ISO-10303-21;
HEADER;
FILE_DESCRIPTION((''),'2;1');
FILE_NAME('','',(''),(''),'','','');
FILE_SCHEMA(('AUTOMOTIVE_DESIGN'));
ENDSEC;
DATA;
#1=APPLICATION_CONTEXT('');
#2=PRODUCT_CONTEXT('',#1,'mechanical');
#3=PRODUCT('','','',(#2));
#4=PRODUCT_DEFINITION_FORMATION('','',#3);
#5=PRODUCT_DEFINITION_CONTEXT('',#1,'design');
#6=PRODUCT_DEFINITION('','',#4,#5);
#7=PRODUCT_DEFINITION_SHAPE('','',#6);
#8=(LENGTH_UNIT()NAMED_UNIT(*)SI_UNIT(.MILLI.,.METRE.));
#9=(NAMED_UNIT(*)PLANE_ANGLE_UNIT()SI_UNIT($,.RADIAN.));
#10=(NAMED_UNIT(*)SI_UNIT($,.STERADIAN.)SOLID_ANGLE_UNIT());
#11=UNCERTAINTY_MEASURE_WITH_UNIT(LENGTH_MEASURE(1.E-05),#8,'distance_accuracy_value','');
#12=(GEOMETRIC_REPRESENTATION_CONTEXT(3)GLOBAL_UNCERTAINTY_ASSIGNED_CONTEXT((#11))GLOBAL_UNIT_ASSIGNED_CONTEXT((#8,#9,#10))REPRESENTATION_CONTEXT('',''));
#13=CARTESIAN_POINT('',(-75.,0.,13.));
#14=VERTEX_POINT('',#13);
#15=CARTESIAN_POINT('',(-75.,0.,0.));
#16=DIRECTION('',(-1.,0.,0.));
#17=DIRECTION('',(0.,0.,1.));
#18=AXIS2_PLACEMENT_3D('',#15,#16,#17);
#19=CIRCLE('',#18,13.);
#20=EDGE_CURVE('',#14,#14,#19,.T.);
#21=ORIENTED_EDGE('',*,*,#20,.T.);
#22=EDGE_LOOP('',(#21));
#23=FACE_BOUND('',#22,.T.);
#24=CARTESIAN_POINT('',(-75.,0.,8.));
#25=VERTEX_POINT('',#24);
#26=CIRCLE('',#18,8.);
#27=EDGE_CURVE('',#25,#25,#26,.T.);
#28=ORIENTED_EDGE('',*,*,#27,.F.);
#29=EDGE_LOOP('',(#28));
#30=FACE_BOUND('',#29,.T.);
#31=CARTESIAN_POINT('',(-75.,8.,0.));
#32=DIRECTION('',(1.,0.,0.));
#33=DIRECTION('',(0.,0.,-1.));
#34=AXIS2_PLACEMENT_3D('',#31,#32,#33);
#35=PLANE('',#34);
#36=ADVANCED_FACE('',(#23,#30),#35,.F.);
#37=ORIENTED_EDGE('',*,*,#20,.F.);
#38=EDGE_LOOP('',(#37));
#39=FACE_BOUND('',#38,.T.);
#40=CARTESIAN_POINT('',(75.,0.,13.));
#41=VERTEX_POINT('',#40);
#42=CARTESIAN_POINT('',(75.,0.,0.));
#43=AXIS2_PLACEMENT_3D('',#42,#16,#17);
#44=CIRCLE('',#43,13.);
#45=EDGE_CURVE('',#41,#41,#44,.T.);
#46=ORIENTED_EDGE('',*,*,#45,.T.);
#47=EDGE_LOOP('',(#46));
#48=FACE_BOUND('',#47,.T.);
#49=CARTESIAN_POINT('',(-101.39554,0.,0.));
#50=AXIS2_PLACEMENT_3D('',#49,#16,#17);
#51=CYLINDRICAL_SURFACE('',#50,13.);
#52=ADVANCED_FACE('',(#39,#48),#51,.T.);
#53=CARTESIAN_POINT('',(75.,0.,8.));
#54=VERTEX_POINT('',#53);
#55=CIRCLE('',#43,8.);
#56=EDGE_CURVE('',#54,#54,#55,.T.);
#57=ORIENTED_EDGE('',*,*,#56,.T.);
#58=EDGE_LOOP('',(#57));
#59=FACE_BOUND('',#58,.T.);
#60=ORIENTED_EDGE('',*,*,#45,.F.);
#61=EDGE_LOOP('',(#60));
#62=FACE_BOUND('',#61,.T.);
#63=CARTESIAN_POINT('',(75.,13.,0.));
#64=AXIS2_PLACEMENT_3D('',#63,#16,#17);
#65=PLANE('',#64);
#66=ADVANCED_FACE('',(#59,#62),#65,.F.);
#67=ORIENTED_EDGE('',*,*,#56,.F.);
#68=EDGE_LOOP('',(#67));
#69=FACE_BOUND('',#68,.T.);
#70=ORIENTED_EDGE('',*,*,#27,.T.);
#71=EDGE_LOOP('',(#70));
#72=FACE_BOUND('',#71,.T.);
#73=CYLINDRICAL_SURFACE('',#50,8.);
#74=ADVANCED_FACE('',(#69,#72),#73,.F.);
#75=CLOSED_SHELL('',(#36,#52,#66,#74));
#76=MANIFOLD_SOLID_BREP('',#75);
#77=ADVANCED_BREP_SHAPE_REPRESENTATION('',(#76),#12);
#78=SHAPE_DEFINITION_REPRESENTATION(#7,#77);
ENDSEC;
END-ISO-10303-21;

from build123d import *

# Parameters (mm, degrees)
SKETCH1_W = 150
SKETCH1_H = 5


with BuildPart() as part:
    # Sketch1 → Revolve1 (revolve)
    with BuildSketch(Plane.XY, mode=Mode.PRIVATE) as revolve1_sk:
        with Locations((0, 10.5)):
            Rectangle(SKETCH1_W, SKETCH1_H)
    revolve(revolve1_sk.sketch.rotate(Axis((-101.395540413, 0, 0), (1, 0, 0)), 90), axis=Axis((-101.395540413, 0, 0), (1, 0, 0)))


solid = part.part
